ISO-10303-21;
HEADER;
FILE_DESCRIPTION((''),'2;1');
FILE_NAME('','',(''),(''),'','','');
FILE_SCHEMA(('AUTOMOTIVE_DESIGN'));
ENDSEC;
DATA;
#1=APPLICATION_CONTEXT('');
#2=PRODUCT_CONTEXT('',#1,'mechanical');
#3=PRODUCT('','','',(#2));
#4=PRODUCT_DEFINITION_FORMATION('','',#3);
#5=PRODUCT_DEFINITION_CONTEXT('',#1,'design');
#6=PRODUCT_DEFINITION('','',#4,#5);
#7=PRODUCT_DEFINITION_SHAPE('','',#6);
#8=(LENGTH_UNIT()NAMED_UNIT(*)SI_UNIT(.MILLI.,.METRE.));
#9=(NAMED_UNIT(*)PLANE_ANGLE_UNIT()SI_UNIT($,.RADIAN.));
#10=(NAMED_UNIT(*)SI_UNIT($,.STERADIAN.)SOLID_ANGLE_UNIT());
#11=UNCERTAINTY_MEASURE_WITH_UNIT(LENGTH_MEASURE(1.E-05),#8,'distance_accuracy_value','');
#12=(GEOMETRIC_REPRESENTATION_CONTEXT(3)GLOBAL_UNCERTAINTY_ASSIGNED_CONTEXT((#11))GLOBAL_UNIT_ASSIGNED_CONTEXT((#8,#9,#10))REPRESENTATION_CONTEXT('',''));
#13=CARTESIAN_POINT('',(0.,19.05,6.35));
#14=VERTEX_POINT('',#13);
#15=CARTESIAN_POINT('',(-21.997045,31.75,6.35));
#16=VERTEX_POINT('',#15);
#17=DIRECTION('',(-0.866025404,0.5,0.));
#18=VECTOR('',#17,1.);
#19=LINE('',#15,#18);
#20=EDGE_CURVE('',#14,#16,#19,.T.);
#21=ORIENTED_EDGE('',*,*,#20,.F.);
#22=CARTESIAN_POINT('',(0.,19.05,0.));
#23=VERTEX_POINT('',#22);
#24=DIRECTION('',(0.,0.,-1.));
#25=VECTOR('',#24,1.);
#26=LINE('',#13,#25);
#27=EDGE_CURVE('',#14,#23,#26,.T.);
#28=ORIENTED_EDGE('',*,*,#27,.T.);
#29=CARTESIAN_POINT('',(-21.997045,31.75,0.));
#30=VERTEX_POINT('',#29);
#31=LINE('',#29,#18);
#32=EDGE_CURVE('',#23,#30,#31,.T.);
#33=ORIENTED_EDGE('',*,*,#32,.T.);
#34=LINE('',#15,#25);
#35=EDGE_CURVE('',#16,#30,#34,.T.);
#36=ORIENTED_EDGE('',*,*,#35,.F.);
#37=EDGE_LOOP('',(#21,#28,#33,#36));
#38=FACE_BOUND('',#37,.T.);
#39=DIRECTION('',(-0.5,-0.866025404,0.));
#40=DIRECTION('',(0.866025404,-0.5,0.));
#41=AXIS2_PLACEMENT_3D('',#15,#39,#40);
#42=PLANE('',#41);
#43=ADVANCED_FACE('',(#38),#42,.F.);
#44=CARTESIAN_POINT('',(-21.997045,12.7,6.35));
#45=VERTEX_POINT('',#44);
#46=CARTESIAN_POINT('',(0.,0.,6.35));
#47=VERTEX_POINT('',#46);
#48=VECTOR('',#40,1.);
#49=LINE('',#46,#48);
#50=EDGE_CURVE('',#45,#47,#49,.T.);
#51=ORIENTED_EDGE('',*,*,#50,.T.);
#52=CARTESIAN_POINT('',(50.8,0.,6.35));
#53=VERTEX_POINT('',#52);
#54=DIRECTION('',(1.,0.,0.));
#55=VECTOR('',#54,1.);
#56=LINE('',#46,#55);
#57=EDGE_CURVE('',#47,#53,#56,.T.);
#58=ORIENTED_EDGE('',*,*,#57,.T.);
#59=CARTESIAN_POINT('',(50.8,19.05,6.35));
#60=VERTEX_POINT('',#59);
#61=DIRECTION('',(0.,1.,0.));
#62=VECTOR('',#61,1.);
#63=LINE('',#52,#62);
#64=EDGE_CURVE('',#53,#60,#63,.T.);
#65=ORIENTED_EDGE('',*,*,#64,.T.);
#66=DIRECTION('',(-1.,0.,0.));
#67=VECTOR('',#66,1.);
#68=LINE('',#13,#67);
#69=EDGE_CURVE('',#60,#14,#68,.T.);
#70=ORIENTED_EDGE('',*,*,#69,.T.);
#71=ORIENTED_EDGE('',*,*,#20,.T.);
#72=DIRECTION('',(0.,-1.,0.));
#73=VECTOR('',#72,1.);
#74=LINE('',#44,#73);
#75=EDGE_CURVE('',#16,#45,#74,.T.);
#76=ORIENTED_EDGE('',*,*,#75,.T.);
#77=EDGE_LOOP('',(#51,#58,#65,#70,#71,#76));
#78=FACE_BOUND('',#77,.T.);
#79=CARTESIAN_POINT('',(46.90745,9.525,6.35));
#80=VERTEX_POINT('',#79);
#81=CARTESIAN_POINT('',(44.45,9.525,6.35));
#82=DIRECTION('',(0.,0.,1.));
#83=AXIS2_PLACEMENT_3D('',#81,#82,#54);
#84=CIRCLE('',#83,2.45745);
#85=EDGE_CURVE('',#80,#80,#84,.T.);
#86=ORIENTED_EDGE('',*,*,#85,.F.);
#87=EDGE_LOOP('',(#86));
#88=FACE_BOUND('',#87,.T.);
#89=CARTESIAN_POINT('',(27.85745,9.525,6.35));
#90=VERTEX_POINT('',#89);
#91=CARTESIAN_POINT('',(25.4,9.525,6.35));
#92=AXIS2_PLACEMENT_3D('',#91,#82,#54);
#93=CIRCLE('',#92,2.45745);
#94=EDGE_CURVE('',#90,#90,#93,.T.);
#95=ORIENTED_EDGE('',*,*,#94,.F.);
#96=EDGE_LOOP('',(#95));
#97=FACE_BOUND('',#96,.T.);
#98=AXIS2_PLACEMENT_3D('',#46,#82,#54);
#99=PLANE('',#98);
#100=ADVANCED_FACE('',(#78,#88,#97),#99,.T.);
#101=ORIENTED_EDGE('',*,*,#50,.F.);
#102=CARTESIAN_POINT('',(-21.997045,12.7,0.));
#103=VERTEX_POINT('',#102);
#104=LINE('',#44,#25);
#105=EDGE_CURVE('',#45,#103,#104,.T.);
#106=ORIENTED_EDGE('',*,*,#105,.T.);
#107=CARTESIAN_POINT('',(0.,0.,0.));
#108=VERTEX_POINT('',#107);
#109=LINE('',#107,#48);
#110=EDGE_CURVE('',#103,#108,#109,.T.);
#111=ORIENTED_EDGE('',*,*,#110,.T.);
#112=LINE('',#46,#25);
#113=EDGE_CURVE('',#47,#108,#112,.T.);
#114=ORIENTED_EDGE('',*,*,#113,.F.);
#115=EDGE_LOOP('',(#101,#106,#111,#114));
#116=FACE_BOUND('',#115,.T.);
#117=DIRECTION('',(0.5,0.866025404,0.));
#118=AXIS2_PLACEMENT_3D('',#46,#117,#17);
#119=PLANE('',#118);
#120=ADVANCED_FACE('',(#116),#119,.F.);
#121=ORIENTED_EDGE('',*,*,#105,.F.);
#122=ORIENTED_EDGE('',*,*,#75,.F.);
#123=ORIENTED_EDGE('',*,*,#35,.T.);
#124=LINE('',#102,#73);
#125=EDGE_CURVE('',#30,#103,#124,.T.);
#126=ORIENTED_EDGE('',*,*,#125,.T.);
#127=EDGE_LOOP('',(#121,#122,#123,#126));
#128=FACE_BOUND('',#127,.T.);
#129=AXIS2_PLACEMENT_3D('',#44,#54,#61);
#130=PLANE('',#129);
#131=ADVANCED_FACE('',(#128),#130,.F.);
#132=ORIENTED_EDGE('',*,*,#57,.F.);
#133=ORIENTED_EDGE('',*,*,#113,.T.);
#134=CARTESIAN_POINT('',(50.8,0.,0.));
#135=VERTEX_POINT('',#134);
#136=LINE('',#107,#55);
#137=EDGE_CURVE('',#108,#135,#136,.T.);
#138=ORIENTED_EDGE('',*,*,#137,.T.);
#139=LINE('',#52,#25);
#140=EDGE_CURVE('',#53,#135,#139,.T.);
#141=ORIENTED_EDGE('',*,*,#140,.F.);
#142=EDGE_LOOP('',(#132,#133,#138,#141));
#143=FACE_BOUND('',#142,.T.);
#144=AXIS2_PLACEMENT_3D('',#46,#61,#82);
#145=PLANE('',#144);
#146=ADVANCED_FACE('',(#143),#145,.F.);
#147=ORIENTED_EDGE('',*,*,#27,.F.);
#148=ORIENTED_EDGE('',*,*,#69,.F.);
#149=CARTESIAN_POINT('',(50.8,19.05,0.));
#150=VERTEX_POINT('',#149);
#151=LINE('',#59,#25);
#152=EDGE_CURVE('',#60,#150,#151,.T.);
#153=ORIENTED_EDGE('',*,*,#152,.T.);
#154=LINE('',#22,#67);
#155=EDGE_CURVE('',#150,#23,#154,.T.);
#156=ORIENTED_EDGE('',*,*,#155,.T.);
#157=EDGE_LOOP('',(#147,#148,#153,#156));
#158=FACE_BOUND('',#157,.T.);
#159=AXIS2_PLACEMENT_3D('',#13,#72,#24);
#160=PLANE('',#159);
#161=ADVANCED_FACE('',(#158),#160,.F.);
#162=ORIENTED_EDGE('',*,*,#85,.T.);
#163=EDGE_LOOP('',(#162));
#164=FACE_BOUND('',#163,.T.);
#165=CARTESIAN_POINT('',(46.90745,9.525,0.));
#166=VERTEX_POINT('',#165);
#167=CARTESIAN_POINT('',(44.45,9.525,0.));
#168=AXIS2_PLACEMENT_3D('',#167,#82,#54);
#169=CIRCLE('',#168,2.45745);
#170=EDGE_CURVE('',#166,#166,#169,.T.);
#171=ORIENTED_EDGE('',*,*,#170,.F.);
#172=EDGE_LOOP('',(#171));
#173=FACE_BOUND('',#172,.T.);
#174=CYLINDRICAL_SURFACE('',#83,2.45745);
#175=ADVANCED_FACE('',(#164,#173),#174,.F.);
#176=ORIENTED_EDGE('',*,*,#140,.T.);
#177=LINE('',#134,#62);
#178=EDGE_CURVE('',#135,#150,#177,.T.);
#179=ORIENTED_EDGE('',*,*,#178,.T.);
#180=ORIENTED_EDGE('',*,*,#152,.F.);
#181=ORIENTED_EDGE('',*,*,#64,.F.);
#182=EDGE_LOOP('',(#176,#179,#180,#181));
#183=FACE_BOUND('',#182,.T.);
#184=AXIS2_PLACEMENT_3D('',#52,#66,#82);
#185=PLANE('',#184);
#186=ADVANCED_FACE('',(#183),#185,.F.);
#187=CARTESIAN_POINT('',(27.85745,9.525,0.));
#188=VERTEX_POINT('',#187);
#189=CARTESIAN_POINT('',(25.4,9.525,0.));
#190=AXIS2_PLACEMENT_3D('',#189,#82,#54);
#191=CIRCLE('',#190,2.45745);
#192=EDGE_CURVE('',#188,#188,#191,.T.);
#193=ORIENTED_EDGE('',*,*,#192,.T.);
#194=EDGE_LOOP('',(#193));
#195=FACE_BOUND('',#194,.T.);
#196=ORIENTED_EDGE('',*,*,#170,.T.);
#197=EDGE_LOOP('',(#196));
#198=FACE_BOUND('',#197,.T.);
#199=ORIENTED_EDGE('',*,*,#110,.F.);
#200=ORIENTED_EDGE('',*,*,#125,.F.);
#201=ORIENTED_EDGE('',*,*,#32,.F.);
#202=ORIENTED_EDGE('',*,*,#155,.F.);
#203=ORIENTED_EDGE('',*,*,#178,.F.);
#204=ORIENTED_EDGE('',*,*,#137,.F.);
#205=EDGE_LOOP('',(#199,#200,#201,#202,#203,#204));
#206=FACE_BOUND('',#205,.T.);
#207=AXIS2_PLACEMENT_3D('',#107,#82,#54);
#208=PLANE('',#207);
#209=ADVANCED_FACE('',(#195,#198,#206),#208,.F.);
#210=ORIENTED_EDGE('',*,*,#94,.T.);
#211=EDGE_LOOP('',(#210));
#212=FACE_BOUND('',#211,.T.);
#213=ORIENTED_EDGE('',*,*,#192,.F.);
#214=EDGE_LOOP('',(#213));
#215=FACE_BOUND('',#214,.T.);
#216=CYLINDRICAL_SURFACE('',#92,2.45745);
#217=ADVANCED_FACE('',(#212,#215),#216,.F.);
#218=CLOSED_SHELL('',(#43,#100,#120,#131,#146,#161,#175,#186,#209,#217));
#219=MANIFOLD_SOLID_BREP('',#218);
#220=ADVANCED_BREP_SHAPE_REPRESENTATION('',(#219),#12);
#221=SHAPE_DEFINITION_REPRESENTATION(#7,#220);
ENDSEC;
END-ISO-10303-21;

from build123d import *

# Parameters (mm, degrees)
BOSS_EXTRUDE1_DEPTH          = 6.35
F_10_0_1935_DIAMETER_HOLE1_D = 4.9149


with BuildPart() as part:
    # Sketch1 → Boss-Extrude1 (new body)
    with BuildSketch(Plane.XY):
        Polygon((0, 0), (-21.997045256, 12.7), (-21.997045256, 31.75), (0, 19.05), (50.8, 19.05), (50.8, 0), align=None)
    extrude(amount=BOSS_EXTRUDE1_DEPTH)

    # #10 (0.1935) Diameter Hole1 (through all)
    with Locations(Plane.XY.offset(6.35)):
        with Locations((44.45, 9.525), (25.4, 9.525)):
            Hole(F_10_0_1935_DIAMETER_HOLE1_D / 2)


solid = part.part
